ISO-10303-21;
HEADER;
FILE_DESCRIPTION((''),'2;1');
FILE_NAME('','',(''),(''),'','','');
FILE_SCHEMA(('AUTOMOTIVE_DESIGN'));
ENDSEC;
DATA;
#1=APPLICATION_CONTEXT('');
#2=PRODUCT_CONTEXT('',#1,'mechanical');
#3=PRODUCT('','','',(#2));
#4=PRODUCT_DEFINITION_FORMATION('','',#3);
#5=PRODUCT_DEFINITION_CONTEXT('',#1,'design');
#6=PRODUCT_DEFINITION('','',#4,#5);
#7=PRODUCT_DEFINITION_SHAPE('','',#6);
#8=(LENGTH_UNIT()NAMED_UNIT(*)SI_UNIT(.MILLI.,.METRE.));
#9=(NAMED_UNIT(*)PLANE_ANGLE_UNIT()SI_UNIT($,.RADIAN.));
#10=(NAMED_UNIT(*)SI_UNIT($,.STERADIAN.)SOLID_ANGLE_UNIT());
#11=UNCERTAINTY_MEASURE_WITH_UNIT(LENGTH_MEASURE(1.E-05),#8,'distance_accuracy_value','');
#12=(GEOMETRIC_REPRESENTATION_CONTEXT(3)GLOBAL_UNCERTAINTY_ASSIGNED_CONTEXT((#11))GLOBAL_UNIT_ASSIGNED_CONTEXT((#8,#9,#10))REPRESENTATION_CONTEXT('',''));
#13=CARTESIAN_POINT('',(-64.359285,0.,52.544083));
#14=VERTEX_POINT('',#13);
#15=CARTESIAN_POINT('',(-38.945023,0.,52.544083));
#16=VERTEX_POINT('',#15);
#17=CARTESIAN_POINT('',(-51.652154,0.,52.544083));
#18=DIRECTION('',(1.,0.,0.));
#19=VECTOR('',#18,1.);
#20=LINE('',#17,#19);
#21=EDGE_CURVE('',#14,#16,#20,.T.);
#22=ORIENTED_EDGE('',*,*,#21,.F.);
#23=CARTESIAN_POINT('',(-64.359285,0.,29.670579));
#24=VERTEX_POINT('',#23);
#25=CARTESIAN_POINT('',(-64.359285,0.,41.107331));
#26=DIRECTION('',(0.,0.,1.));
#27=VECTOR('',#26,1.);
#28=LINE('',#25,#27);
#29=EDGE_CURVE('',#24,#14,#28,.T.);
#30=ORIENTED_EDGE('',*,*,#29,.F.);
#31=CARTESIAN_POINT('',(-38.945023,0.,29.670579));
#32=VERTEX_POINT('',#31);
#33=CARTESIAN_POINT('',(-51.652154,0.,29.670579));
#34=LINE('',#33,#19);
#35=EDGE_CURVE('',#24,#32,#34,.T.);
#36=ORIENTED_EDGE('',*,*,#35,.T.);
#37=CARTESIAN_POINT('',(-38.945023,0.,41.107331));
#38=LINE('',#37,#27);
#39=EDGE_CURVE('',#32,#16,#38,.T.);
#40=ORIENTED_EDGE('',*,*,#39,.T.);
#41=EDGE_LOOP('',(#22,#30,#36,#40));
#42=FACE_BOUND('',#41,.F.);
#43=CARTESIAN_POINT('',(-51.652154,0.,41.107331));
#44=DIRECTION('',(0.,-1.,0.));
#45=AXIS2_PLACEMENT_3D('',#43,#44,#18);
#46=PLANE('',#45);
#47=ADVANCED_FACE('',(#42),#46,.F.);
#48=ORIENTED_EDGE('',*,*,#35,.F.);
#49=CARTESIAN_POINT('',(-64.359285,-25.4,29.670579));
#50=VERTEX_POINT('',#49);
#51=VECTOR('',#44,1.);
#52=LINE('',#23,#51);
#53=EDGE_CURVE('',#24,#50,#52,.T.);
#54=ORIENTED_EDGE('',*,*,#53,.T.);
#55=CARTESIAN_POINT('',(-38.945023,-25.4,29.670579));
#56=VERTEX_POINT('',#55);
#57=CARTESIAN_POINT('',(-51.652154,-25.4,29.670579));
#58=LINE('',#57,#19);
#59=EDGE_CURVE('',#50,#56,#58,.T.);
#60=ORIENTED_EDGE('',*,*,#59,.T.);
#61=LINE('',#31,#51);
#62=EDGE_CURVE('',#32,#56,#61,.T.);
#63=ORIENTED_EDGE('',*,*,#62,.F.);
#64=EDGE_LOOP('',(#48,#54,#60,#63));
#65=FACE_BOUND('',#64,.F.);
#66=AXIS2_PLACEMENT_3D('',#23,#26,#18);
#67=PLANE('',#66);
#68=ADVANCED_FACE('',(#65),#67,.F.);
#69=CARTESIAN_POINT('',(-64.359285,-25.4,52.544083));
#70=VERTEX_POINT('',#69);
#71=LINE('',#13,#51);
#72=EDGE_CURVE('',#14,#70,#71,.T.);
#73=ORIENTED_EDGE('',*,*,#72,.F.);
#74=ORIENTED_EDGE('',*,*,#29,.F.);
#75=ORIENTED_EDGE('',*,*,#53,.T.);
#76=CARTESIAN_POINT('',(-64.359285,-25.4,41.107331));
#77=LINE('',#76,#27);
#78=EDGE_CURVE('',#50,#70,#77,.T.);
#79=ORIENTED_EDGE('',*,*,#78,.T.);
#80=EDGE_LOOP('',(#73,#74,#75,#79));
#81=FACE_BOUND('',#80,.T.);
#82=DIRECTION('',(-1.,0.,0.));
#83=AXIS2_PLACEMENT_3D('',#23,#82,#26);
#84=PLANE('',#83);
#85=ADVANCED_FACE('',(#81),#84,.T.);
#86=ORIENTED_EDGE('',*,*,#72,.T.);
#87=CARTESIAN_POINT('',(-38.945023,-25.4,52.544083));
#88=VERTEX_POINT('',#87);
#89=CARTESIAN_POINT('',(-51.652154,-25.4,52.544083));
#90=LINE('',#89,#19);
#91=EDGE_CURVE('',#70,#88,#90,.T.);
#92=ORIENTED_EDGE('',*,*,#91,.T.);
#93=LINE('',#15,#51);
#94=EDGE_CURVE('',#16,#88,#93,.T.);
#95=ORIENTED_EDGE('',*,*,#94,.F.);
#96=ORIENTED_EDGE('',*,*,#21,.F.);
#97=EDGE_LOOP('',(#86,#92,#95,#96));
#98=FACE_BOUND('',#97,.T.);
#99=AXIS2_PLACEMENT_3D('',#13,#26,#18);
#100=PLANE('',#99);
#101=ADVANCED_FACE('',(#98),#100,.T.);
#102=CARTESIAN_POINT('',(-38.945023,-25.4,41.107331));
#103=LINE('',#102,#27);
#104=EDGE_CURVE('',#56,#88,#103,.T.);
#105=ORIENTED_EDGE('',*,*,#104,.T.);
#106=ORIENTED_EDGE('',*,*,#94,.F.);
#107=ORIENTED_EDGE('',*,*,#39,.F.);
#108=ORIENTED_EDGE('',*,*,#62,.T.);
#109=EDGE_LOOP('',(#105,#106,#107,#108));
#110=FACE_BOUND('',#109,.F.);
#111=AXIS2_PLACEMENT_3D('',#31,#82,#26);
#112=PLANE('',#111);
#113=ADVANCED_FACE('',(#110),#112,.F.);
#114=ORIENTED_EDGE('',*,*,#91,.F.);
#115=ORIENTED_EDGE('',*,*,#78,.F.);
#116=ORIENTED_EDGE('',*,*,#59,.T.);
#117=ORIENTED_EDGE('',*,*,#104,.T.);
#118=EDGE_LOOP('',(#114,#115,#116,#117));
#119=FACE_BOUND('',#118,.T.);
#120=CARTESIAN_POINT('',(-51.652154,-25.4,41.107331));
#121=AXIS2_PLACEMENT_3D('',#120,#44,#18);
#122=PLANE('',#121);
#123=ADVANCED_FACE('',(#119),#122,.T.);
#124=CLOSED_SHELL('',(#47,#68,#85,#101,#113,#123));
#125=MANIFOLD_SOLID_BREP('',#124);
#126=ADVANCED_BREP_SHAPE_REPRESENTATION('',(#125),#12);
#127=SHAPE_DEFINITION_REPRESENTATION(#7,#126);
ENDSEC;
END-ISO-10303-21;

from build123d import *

# Parameters (mm, degrees)
F0_W     = 25.4142619669
F0_H     = 22.8735040873
F0_W_2   = 16.2915550172
F0_H_2   = 12.3447924852
F1_DEPTH = 25.4


with BuildPart() as f1:
    # F0 (on Front) → F1 (new body)
    with BuildSketch(Plane.XZ):
        with Locations((-51.6521539539, 41.1073314026)):
            Rectangle(F0_W, F0_H)
        with Locations((-50.9393382818, 40.0535129011)):
            Rectangle(F0_W_2, F0_H_2, mode=Mode.SUBTRACT)
        with Locations((-50.9393382818, 40.0535129011)):
            Rectangle(F0_W_2, F0_H_2)
    extrude(amount=F1_DEPTH)


solid = f1.part
